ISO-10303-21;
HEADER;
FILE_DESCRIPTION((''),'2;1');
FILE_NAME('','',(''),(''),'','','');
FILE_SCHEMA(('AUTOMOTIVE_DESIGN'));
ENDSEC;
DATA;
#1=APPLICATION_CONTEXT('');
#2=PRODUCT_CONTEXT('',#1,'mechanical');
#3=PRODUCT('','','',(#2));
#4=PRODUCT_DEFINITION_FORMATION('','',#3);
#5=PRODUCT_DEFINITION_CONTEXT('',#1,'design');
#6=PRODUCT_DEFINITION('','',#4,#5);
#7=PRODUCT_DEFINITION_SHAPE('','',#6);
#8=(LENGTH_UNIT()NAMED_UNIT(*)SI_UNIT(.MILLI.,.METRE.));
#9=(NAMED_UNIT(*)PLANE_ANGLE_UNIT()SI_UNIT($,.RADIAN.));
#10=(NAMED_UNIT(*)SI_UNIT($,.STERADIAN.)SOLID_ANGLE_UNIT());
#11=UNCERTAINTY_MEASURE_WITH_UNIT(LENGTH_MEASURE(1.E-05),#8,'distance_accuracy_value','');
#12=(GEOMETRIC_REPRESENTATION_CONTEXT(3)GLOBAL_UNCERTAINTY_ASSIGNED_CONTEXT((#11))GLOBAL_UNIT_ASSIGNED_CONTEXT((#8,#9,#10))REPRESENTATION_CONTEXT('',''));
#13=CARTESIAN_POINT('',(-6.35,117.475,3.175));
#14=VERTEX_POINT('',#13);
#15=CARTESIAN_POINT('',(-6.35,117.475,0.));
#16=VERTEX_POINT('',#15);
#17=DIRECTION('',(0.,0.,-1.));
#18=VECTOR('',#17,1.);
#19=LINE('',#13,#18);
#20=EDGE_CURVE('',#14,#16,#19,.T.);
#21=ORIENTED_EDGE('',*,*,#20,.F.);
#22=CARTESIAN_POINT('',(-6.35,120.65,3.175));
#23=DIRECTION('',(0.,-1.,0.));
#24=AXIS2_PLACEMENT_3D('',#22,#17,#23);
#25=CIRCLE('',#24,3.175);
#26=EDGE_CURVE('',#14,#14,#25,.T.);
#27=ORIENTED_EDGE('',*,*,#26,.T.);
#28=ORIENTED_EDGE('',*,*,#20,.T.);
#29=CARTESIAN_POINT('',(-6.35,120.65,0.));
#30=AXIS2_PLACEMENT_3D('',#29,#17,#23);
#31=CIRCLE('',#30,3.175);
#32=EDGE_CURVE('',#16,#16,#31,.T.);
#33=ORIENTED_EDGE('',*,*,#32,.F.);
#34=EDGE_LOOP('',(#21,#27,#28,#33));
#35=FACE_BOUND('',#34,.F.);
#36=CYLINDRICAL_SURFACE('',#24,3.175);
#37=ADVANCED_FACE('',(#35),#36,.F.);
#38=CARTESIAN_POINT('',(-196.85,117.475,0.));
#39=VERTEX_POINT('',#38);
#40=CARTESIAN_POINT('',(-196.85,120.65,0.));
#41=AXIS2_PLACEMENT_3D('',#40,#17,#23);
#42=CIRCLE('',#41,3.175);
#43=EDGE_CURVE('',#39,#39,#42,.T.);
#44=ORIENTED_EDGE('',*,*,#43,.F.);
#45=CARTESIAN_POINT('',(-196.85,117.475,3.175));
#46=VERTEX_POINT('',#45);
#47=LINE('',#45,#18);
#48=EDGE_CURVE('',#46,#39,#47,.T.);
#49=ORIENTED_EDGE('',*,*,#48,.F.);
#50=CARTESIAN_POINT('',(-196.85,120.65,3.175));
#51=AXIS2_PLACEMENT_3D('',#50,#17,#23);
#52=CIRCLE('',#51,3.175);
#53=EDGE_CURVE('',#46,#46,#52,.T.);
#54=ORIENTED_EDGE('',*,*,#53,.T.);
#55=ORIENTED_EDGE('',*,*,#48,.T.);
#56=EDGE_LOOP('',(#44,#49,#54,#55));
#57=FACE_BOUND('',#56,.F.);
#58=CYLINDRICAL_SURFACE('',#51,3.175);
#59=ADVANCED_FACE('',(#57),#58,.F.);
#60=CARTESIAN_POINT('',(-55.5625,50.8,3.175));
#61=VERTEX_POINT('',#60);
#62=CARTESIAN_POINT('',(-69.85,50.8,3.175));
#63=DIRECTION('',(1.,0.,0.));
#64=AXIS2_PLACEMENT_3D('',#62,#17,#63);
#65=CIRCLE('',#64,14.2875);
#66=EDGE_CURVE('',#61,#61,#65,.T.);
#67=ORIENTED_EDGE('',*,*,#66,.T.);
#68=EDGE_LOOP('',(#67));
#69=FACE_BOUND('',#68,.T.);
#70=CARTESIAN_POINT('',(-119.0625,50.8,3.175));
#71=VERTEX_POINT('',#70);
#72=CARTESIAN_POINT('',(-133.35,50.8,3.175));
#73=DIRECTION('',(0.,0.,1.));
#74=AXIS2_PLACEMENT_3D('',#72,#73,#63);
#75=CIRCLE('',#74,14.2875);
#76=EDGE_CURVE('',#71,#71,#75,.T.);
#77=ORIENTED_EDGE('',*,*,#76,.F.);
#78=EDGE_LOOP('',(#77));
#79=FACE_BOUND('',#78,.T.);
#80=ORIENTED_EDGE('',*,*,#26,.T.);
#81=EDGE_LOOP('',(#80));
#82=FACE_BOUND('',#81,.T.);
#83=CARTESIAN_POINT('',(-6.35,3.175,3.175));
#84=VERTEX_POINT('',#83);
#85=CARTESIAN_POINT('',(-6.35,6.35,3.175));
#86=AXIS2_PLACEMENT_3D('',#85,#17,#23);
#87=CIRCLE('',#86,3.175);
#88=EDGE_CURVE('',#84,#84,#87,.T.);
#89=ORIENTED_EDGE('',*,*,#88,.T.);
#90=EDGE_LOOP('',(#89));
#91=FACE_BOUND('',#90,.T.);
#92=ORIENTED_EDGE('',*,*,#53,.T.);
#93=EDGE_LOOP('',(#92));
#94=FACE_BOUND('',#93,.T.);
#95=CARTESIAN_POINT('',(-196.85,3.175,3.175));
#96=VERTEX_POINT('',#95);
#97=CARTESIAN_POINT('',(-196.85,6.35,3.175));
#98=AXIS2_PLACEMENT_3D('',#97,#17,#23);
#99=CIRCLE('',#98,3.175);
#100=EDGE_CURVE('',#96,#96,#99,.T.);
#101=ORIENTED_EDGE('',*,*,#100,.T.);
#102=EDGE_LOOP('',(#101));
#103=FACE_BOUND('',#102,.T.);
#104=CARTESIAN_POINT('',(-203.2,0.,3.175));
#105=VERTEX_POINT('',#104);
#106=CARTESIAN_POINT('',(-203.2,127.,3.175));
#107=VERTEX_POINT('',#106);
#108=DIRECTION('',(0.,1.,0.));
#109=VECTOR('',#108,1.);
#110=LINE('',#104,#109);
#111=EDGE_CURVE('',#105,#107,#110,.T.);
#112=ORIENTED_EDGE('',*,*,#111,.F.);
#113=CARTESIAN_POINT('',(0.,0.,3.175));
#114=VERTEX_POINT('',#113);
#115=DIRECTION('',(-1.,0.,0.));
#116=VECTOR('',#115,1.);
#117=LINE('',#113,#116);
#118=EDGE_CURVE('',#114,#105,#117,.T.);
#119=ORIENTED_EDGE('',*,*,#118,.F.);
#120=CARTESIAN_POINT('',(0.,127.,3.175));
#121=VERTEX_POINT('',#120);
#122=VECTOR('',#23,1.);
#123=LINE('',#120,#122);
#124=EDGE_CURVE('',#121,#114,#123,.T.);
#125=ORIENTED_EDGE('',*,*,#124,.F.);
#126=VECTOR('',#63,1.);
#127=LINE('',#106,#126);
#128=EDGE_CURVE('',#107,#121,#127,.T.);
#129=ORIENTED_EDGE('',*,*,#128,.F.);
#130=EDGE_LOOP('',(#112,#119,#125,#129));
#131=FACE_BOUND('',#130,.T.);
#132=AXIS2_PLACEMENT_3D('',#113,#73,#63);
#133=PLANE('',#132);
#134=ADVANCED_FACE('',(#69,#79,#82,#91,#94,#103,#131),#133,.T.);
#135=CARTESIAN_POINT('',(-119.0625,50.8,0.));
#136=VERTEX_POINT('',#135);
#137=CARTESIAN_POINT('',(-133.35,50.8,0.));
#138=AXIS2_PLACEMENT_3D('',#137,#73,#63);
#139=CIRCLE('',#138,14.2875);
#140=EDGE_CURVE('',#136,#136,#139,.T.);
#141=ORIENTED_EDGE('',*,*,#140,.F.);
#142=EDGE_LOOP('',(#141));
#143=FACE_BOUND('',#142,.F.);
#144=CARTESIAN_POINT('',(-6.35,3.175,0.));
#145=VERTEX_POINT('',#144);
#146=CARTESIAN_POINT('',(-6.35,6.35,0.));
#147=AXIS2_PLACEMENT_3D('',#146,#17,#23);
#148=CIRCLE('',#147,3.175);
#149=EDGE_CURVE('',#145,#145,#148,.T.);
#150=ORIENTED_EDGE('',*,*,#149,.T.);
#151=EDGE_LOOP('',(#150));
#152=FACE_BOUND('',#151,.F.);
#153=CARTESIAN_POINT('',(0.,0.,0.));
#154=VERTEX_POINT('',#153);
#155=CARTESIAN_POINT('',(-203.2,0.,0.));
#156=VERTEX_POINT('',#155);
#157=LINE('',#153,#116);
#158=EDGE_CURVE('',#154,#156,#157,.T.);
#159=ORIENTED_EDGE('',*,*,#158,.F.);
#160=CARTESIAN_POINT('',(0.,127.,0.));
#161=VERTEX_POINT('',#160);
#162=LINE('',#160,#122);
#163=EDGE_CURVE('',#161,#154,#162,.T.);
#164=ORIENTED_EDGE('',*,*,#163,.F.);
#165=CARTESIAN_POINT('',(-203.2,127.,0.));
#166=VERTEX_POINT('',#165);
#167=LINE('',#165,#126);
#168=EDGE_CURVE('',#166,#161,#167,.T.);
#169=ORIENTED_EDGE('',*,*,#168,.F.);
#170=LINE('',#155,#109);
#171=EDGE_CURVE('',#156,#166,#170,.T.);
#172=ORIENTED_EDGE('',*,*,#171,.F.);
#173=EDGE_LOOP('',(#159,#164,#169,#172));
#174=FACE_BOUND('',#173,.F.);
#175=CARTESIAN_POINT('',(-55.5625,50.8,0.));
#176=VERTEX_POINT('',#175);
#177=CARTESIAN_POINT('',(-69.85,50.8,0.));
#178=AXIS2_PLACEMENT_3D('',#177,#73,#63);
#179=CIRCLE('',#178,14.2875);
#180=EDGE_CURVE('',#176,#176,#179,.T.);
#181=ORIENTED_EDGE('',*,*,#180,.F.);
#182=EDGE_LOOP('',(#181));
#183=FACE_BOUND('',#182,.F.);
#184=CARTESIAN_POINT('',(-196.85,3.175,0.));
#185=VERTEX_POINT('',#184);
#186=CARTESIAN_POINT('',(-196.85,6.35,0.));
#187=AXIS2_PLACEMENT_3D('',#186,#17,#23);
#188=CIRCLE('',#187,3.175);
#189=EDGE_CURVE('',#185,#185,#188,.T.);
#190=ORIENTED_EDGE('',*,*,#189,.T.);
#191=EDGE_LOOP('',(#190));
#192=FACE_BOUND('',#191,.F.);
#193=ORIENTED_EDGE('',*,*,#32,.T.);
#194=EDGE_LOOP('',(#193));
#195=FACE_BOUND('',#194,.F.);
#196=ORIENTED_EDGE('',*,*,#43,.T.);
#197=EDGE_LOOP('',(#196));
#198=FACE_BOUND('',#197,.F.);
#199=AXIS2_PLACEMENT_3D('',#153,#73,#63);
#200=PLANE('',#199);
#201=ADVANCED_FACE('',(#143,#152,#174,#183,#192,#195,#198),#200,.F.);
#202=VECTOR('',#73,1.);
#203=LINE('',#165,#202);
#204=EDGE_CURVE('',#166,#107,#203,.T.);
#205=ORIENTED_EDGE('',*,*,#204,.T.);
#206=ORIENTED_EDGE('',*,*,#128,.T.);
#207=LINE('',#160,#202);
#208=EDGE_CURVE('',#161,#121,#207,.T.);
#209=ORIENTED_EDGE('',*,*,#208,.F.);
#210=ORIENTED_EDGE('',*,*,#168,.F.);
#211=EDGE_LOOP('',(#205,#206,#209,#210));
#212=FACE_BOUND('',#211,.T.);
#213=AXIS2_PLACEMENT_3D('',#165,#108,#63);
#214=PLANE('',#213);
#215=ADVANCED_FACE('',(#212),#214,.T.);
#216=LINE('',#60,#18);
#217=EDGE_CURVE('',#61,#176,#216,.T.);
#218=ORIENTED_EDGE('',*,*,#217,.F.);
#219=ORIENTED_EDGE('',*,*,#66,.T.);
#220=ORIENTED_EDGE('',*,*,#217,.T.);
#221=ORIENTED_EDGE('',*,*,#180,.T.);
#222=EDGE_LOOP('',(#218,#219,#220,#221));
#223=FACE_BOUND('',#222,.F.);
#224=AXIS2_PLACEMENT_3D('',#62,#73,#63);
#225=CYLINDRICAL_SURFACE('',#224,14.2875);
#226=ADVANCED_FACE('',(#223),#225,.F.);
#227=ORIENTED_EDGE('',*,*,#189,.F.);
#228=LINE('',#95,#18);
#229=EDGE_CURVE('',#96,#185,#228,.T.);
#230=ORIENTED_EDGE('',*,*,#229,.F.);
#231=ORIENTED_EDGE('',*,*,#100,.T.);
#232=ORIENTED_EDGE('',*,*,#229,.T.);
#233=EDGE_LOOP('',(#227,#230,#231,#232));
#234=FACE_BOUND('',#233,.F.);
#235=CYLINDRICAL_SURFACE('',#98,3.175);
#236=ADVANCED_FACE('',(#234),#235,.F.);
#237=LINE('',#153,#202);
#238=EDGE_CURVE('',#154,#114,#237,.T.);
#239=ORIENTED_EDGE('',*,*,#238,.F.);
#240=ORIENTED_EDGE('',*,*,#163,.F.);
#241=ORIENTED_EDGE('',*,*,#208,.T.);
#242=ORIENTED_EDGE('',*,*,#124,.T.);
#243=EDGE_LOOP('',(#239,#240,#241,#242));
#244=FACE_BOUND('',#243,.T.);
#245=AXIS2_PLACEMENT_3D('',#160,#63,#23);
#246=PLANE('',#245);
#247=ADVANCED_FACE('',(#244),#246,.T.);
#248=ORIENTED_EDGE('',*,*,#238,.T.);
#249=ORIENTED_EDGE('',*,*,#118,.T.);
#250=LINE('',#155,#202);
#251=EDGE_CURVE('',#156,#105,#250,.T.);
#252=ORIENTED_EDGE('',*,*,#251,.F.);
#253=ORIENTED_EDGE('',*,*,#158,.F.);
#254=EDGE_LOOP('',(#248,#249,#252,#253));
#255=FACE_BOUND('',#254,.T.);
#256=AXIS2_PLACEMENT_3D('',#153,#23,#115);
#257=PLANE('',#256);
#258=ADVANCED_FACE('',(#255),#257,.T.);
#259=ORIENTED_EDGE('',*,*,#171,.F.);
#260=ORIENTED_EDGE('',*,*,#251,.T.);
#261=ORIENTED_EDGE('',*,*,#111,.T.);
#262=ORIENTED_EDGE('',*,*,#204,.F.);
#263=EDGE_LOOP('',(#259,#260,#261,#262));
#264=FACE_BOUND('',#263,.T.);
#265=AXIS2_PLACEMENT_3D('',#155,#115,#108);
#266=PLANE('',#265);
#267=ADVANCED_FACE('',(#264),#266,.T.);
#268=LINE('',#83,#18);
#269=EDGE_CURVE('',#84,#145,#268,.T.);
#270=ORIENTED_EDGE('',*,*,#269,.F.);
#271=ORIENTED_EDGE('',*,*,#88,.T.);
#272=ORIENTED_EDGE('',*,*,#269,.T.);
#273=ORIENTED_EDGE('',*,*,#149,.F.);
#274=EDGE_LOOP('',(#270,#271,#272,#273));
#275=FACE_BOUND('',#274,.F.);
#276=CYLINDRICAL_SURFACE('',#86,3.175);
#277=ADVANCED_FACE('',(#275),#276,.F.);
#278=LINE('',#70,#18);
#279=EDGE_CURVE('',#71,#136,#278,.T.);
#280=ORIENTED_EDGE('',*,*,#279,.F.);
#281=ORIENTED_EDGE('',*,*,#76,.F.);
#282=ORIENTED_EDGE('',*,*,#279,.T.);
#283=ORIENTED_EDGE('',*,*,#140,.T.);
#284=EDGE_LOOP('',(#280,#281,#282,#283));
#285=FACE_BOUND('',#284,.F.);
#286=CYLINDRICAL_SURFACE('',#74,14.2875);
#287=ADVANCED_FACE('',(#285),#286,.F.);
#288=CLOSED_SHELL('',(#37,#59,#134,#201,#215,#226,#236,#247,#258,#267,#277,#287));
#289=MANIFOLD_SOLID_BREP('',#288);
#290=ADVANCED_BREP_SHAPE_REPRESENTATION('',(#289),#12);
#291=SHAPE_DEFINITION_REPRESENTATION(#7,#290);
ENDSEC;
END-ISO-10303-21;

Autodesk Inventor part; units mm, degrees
ref_plane "YZ Plane" through (0, 0, 0) normal (1, 0, 0) x (0, 1, 0)
ref_plane "XZ Plane" through (0, 0, 0) normal (0, 1, 0) x (-1, 0, 0)
sketch "Sketch1" plane through (0, 0, 0) normal (0, 0, 1) x (1, 0, 0)
  line L0 (0, 0) -> (-203.2, 0)
  line L1 (-203.2, 0) -> (-203.2, 127)
  line L2 (-203.2, 127) -> (0, 127)
  line L3 (0, 127) -> (0, 0)
  dimension "d0" = 127
  dimension "d1" = 203.2
extrude "Extrusion1" add sketch "Sketch1" along normal blind 3.175
sketch "Sketch2" plane through (0, 0, 3.175) normal (0, 0, 1) x (1, 0, 0)
  circle A0 centre (-69.85, 50.8) radius 14.2875
  line L0 (0, 0) -> (0, 127) projected
  line L1 (-203.2, 0) -> (0, 0) projected
  circle A1 centre (-133.35, 50.8) radius 14.2875
  line L2 (-101.6, 0) -> (-101.6, 50.8)
  line L3 (-101.6, 50.8) -> (-69.85, 50.8)
  line L4 (-69.85, 50.8) -> (-133.35, 50.8)
  dimension "d4" = 28.575
  dimension "d8" = 28.575
  dimension "d9" = 50.8
  dimension "d28" = 63.5
  dimension "d29" = 31.75
extrude "Extrusion2" cut sketch "Sketch2" against normal blind 3.175
sketch "Sketch3" plane through (0, 0, 3.175) normal (0, 0, 1) x (1, 0, 0)
  circle A0 centre (-6.35, 6.35) radius 3.175
  line L0 (0, 0) -> (0, 127) projected
  line L1 (-203.2, 0) -> (0, 0) projected
  circle A1 centre (-6.35, 120.65) radius 3.175
  line L2 (0, 127) -> (-203.2, 127) projected
  circle A2 centre (-196.85, 120.65) radius 3.175
  circle A3 centre (-196.85, 6.35) radius 3.175
  line L3 (-203.2, 127) -> (-203.2, 0) projected
  dimension "d12" = 6.35
  dimension "d13" = 6.35
  dimension "d14" = 6.35
  dimension "d15" = 6.35
  dimension "d16" = 6.35
  dimension "d17" = 6.35
  dimension "d18" = 6.35
  dimension "d19" = 6.35
  dimension "d20" = 6.35
  dimension "d30" = 6.35
  dimension "d31" = 6.35
  dimension "d32" = 6.35
hole "Hole1" at (-196.85, 120.65, 3.175) at (-196.85, 6.35, 3.175) at (-6.35, 6.35, 3.175) at (-6.35, 120.65, 3.175) direction (0, 0, -1) diameter 6.35 end through all
ref_plane "Work Plane1" through (-101.6, 0, 0) normal (1, 0, 0) x (0, 0, -1)
equation "\"d29\" = 0.5 * d28"
properties part number "Gearbox plate with motor"
